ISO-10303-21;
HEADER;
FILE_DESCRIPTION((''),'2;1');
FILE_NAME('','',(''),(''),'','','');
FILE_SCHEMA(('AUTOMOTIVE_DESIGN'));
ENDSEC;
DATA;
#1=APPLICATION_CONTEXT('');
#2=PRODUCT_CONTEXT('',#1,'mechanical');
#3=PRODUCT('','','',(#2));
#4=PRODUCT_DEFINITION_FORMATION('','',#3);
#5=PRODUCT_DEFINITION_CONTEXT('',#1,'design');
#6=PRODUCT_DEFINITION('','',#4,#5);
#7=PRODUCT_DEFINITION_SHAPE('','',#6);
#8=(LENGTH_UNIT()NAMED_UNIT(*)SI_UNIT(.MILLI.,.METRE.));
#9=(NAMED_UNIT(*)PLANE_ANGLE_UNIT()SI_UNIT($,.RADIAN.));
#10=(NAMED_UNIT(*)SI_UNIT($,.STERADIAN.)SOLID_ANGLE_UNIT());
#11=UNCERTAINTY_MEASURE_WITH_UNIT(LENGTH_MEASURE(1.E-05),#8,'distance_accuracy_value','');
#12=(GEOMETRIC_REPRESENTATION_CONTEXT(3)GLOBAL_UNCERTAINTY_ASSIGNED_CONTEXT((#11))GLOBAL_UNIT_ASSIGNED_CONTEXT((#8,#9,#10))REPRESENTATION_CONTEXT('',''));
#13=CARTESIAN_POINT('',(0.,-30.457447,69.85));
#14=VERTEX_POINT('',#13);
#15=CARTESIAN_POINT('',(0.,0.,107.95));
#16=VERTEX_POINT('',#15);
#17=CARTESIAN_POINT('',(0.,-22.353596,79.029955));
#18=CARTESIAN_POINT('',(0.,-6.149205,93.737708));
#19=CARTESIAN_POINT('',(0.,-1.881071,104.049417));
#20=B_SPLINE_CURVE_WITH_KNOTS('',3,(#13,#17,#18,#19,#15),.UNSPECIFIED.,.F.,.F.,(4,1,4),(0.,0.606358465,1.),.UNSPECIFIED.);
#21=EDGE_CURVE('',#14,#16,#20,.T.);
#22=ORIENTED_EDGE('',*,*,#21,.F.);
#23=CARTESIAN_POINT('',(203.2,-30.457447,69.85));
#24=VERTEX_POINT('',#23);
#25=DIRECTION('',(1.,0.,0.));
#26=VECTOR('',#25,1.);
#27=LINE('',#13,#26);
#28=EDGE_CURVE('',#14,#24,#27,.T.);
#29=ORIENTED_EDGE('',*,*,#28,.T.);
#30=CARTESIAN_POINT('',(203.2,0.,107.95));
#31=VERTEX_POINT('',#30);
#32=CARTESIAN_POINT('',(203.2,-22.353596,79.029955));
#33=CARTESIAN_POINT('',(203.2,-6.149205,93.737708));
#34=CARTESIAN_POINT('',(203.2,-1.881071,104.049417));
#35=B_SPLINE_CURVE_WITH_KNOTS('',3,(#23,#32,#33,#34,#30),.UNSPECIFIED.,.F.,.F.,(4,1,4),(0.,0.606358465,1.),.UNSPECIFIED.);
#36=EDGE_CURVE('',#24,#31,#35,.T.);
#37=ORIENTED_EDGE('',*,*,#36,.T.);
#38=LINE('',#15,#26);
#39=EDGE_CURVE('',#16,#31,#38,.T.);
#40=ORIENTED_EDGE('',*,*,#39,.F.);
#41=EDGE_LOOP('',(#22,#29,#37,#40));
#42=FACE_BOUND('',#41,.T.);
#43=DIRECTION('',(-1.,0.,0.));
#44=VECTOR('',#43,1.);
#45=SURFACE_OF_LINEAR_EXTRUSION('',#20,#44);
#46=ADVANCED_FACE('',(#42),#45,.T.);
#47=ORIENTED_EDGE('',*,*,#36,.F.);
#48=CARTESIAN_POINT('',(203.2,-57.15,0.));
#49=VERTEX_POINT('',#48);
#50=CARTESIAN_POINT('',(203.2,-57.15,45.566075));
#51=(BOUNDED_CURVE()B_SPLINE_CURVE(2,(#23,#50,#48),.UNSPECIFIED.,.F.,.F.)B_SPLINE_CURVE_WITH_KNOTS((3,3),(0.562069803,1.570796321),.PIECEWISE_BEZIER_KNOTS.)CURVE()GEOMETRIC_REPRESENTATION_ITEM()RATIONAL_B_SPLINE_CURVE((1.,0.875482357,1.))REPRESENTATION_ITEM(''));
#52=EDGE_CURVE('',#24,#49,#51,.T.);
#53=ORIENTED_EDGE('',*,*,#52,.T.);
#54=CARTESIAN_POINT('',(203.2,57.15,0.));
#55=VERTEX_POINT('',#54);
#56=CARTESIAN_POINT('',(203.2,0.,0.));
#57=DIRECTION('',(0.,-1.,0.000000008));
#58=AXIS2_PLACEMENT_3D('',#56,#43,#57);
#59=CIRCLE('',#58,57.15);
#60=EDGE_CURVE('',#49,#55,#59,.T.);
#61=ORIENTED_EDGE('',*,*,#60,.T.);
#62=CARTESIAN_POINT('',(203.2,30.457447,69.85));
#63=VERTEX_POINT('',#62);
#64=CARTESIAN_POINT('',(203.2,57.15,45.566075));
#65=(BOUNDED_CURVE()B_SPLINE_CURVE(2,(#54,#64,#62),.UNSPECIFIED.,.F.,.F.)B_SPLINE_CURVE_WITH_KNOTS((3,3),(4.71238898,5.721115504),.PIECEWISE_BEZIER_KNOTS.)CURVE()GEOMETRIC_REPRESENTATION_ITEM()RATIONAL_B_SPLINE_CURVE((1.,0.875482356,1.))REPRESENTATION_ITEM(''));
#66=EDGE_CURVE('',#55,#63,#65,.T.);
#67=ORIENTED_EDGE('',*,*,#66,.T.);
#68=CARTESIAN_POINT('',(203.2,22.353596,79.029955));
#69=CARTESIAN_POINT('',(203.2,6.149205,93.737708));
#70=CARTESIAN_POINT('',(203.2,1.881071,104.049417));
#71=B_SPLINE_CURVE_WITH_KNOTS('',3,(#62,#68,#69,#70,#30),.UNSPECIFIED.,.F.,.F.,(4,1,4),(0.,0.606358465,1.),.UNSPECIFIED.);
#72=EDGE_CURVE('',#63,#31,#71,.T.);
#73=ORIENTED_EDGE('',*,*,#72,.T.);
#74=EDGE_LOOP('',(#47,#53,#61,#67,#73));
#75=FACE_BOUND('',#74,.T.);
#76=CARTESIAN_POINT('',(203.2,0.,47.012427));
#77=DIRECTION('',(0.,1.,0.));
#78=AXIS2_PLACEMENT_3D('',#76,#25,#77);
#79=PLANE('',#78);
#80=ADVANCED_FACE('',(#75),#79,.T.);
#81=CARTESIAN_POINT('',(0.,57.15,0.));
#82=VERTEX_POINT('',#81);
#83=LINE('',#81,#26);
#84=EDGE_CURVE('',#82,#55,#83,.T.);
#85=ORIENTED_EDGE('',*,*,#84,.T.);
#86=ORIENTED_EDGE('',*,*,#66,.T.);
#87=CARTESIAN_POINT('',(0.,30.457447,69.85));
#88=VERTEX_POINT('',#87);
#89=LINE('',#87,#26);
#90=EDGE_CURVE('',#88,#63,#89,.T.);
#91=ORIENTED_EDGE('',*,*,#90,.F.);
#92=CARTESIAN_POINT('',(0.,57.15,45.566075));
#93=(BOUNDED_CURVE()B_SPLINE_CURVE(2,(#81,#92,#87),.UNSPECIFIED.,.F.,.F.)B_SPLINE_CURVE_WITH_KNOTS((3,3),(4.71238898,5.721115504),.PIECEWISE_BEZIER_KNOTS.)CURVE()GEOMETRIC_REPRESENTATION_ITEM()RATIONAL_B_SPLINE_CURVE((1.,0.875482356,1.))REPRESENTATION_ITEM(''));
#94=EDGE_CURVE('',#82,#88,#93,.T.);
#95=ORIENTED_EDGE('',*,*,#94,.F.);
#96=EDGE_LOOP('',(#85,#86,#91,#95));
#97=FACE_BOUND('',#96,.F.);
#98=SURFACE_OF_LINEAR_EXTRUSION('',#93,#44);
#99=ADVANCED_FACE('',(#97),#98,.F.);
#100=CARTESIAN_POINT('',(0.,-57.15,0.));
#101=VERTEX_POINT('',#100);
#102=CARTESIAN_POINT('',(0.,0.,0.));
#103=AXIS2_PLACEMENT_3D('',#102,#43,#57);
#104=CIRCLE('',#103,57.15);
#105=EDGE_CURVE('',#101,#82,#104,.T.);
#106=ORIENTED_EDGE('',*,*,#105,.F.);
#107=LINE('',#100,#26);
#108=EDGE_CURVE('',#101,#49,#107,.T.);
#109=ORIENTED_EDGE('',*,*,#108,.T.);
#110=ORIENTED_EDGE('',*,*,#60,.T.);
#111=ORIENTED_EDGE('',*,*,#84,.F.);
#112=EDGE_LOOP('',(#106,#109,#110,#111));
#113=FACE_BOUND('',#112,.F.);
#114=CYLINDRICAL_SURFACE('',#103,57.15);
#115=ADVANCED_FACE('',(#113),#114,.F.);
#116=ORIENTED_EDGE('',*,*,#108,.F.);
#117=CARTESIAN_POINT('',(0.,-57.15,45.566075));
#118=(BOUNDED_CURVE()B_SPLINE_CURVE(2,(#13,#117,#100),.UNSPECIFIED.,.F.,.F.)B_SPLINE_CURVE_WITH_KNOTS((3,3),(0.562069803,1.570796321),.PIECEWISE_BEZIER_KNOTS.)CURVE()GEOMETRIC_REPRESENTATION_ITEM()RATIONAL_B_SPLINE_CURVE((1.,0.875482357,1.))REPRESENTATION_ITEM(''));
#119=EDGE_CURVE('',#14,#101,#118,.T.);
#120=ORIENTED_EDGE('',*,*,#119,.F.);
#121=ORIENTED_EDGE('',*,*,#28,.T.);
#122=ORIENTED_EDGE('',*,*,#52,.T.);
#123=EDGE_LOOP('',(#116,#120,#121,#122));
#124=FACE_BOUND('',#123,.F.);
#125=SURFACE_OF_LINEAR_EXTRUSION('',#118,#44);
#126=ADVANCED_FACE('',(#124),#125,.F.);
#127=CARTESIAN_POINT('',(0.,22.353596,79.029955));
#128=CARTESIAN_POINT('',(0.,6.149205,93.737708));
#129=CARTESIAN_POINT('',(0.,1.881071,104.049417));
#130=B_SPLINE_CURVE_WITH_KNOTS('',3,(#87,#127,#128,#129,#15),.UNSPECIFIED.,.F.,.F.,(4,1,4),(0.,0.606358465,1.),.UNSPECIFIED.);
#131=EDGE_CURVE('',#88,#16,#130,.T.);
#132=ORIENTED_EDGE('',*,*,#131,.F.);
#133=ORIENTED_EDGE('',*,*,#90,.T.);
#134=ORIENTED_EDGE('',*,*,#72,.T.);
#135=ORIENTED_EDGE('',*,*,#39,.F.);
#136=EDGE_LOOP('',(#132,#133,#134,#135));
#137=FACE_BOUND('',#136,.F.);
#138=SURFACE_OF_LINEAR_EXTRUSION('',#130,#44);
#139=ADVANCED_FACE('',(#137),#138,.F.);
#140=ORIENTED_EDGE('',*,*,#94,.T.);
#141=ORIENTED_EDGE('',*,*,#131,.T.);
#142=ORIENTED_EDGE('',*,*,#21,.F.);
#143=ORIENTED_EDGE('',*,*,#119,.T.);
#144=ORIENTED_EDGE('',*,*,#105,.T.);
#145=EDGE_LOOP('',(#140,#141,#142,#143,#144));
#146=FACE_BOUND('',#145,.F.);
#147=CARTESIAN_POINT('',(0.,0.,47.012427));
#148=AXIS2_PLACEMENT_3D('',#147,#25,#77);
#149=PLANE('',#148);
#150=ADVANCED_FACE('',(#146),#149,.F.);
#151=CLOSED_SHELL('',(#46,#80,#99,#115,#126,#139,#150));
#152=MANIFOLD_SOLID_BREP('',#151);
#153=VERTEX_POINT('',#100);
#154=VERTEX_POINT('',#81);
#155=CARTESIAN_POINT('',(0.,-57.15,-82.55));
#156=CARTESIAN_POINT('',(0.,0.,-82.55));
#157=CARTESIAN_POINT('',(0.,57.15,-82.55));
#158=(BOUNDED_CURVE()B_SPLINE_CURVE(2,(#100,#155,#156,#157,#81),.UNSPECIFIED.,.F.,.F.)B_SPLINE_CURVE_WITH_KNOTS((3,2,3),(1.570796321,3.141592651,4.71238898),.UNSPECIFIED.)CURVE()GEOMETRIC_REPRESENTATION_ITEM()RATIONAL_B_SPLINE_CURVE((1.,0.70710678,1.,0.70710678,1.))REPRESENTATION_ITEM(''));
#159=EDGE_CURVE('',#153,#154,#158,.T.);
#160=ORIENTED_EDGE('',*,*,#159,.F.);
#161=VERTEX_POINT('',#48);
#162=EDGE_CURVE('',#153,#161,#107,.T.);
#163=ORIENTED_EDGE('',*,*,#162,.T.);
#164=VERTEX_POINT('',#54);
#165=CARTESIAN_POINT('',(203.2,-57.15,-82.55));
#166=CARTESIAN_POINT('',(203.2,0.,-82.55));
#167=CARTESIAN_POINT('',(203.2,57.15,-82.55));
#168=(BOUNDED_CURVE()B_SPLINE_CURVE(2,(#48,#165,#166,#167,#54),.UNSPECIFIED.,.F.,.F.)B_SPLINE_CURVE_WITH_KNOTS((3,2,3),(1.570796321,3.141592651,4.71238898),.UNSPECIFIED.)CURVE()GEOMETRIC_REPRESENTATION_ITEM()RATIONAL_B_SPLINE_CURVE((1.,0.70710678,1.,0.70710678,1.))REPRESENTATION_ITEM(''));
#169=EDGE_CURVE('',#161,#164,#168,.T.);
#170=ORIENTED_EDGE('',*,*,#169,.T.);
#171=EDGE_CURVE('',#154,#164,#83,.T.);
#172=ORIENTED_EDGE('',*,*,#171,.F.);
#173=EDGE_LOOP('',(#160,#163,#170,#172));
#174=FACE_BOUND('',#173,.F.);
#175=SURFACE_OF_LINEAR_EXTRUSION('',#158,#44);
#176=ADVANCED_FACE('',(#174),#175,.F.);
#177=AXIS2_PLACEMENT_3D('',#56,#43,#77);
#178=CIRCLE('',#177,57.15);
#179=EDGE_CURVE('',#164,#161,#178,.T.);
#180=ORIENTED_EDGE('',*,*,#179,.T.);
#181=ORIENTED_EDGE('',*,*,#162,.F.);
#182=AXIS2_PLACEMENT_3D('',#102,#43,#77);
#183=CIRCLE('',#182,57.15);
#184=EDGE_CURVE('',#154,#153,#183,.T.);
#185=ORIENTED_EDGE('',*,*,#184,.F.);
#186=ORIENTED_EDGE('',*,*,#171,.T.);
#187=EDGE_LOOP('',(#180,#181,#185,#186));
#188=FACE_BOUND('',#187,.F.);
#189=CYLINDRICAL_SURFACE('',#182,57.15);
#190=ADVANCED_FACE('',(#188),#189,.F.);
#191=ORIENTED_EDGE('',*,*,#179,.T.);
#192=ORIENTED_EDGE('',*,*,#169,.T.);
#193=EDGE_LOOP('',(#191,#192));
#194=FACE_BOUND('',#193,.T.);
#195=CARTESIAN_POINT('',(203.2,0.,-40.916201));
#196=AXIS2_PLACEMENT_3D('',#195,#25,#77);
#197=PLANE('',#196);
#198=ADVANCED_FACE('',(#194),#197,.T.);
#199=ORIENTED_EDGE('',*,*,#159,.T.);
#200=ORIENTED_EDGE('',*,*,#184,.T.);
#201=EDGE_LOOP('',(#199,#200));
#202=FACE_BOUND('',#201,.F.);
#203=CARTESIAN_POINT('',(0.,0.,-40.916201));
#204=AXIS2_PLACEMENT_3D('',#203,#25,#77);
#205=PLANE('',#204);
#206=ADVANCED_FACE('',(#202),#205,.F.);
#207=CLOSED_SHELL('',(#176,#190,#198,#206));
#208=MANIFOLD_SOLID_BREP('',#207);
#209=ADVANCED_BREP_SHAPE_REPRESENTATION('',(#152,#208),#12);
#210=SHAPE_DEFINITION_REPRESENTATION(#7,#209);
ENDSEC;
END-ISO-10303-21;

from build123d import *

# Parameters (mm, degrees)
F1_DEPTH = 203.2


with BuildPart() as f1:
    # F0 (on Right) → F1 (new body)
    with BuildSketch(Plane.YZ):
        with BuildLine():
            ThreePointArc((-57.15, 4.662e-07), (2.331e-07, 57.15), (57.15, 0))
            add(Edge.make_bspline(
                [(57.15, 0), (57.15, 45.5660748492), (30.4574472777, 69.85)],
                knots=[4.7123889804, 4.7123889804, 4.7123889804, 5.7211155042, 5.7211155042, 5.7211155042], degree=2, weights=[1, 0.8754823556, 1]))
            add(Edge.make_bspline(
                [(30.4574472777, 69.85), (22.353595846, 79.0299545271), (6.1492050592, 93.7377079612), (1.8810714701, 104.0494172792), (0, 107.95)],
                knots=[0, 0, 0, 0, 0.6063584653, 1, 1, 1, 1], degree=3))
            add(Edge.make_bspline(
                [(-30.4574472777, 69.85), (-22.353595846, 79.0299545271), (-6.1492050592, 93.7377079612), (-1.8810714701, 104.0494172792), (0, 107.95)],
                knots=[0, 0, 0, 0, 0.6063584653, 1, 1, 1, 1], degree=3))
            add(Edge.make_bspline(
                [(-30.4574472777, 69.85), (-57.1499998218, 45.5660750112), (-57.15, 4.662e-07)],
                knots=[0.562069803, 0.562069803, 0.562069803, 1.5707963211, 1.5707963211, 1.5707963211], degree=2, weights=[1, 0.875482357, 1]))
        make_face()
    extrude(amount=F1_DEPTH)


with BuildPart() as f1b:
    # F0 (on Right) → F1, piece 2 (new body)
    with BuildSketch(Plane.YZ):
        with BuildLine():
            add(Edge.make_bspline(
                [(-57.15, 4.662e-07), (-57.1500003228, -82.5499997669), (-1.614e-07, -82.55), (57.15, -82.5500002331), (57.15, 0)],
                knots=[1.5707963211, 1.5707963211, 1.5707963211, 3.1415926508, 3.1415926508, 4.7123889804, 4.7123889804, 4.7123889804], degree=2, weights=[1, 0.7071067802, 1, 0.7071067802, 1]))
            ThreePointArc((57.15, 0), (-2.331e-07, -57.15), (-57.15, 4.662e-07))
        make_face()
    extrude(amount=F1_DEPTH)


solid = Compound([f1.part, f1b.part])
